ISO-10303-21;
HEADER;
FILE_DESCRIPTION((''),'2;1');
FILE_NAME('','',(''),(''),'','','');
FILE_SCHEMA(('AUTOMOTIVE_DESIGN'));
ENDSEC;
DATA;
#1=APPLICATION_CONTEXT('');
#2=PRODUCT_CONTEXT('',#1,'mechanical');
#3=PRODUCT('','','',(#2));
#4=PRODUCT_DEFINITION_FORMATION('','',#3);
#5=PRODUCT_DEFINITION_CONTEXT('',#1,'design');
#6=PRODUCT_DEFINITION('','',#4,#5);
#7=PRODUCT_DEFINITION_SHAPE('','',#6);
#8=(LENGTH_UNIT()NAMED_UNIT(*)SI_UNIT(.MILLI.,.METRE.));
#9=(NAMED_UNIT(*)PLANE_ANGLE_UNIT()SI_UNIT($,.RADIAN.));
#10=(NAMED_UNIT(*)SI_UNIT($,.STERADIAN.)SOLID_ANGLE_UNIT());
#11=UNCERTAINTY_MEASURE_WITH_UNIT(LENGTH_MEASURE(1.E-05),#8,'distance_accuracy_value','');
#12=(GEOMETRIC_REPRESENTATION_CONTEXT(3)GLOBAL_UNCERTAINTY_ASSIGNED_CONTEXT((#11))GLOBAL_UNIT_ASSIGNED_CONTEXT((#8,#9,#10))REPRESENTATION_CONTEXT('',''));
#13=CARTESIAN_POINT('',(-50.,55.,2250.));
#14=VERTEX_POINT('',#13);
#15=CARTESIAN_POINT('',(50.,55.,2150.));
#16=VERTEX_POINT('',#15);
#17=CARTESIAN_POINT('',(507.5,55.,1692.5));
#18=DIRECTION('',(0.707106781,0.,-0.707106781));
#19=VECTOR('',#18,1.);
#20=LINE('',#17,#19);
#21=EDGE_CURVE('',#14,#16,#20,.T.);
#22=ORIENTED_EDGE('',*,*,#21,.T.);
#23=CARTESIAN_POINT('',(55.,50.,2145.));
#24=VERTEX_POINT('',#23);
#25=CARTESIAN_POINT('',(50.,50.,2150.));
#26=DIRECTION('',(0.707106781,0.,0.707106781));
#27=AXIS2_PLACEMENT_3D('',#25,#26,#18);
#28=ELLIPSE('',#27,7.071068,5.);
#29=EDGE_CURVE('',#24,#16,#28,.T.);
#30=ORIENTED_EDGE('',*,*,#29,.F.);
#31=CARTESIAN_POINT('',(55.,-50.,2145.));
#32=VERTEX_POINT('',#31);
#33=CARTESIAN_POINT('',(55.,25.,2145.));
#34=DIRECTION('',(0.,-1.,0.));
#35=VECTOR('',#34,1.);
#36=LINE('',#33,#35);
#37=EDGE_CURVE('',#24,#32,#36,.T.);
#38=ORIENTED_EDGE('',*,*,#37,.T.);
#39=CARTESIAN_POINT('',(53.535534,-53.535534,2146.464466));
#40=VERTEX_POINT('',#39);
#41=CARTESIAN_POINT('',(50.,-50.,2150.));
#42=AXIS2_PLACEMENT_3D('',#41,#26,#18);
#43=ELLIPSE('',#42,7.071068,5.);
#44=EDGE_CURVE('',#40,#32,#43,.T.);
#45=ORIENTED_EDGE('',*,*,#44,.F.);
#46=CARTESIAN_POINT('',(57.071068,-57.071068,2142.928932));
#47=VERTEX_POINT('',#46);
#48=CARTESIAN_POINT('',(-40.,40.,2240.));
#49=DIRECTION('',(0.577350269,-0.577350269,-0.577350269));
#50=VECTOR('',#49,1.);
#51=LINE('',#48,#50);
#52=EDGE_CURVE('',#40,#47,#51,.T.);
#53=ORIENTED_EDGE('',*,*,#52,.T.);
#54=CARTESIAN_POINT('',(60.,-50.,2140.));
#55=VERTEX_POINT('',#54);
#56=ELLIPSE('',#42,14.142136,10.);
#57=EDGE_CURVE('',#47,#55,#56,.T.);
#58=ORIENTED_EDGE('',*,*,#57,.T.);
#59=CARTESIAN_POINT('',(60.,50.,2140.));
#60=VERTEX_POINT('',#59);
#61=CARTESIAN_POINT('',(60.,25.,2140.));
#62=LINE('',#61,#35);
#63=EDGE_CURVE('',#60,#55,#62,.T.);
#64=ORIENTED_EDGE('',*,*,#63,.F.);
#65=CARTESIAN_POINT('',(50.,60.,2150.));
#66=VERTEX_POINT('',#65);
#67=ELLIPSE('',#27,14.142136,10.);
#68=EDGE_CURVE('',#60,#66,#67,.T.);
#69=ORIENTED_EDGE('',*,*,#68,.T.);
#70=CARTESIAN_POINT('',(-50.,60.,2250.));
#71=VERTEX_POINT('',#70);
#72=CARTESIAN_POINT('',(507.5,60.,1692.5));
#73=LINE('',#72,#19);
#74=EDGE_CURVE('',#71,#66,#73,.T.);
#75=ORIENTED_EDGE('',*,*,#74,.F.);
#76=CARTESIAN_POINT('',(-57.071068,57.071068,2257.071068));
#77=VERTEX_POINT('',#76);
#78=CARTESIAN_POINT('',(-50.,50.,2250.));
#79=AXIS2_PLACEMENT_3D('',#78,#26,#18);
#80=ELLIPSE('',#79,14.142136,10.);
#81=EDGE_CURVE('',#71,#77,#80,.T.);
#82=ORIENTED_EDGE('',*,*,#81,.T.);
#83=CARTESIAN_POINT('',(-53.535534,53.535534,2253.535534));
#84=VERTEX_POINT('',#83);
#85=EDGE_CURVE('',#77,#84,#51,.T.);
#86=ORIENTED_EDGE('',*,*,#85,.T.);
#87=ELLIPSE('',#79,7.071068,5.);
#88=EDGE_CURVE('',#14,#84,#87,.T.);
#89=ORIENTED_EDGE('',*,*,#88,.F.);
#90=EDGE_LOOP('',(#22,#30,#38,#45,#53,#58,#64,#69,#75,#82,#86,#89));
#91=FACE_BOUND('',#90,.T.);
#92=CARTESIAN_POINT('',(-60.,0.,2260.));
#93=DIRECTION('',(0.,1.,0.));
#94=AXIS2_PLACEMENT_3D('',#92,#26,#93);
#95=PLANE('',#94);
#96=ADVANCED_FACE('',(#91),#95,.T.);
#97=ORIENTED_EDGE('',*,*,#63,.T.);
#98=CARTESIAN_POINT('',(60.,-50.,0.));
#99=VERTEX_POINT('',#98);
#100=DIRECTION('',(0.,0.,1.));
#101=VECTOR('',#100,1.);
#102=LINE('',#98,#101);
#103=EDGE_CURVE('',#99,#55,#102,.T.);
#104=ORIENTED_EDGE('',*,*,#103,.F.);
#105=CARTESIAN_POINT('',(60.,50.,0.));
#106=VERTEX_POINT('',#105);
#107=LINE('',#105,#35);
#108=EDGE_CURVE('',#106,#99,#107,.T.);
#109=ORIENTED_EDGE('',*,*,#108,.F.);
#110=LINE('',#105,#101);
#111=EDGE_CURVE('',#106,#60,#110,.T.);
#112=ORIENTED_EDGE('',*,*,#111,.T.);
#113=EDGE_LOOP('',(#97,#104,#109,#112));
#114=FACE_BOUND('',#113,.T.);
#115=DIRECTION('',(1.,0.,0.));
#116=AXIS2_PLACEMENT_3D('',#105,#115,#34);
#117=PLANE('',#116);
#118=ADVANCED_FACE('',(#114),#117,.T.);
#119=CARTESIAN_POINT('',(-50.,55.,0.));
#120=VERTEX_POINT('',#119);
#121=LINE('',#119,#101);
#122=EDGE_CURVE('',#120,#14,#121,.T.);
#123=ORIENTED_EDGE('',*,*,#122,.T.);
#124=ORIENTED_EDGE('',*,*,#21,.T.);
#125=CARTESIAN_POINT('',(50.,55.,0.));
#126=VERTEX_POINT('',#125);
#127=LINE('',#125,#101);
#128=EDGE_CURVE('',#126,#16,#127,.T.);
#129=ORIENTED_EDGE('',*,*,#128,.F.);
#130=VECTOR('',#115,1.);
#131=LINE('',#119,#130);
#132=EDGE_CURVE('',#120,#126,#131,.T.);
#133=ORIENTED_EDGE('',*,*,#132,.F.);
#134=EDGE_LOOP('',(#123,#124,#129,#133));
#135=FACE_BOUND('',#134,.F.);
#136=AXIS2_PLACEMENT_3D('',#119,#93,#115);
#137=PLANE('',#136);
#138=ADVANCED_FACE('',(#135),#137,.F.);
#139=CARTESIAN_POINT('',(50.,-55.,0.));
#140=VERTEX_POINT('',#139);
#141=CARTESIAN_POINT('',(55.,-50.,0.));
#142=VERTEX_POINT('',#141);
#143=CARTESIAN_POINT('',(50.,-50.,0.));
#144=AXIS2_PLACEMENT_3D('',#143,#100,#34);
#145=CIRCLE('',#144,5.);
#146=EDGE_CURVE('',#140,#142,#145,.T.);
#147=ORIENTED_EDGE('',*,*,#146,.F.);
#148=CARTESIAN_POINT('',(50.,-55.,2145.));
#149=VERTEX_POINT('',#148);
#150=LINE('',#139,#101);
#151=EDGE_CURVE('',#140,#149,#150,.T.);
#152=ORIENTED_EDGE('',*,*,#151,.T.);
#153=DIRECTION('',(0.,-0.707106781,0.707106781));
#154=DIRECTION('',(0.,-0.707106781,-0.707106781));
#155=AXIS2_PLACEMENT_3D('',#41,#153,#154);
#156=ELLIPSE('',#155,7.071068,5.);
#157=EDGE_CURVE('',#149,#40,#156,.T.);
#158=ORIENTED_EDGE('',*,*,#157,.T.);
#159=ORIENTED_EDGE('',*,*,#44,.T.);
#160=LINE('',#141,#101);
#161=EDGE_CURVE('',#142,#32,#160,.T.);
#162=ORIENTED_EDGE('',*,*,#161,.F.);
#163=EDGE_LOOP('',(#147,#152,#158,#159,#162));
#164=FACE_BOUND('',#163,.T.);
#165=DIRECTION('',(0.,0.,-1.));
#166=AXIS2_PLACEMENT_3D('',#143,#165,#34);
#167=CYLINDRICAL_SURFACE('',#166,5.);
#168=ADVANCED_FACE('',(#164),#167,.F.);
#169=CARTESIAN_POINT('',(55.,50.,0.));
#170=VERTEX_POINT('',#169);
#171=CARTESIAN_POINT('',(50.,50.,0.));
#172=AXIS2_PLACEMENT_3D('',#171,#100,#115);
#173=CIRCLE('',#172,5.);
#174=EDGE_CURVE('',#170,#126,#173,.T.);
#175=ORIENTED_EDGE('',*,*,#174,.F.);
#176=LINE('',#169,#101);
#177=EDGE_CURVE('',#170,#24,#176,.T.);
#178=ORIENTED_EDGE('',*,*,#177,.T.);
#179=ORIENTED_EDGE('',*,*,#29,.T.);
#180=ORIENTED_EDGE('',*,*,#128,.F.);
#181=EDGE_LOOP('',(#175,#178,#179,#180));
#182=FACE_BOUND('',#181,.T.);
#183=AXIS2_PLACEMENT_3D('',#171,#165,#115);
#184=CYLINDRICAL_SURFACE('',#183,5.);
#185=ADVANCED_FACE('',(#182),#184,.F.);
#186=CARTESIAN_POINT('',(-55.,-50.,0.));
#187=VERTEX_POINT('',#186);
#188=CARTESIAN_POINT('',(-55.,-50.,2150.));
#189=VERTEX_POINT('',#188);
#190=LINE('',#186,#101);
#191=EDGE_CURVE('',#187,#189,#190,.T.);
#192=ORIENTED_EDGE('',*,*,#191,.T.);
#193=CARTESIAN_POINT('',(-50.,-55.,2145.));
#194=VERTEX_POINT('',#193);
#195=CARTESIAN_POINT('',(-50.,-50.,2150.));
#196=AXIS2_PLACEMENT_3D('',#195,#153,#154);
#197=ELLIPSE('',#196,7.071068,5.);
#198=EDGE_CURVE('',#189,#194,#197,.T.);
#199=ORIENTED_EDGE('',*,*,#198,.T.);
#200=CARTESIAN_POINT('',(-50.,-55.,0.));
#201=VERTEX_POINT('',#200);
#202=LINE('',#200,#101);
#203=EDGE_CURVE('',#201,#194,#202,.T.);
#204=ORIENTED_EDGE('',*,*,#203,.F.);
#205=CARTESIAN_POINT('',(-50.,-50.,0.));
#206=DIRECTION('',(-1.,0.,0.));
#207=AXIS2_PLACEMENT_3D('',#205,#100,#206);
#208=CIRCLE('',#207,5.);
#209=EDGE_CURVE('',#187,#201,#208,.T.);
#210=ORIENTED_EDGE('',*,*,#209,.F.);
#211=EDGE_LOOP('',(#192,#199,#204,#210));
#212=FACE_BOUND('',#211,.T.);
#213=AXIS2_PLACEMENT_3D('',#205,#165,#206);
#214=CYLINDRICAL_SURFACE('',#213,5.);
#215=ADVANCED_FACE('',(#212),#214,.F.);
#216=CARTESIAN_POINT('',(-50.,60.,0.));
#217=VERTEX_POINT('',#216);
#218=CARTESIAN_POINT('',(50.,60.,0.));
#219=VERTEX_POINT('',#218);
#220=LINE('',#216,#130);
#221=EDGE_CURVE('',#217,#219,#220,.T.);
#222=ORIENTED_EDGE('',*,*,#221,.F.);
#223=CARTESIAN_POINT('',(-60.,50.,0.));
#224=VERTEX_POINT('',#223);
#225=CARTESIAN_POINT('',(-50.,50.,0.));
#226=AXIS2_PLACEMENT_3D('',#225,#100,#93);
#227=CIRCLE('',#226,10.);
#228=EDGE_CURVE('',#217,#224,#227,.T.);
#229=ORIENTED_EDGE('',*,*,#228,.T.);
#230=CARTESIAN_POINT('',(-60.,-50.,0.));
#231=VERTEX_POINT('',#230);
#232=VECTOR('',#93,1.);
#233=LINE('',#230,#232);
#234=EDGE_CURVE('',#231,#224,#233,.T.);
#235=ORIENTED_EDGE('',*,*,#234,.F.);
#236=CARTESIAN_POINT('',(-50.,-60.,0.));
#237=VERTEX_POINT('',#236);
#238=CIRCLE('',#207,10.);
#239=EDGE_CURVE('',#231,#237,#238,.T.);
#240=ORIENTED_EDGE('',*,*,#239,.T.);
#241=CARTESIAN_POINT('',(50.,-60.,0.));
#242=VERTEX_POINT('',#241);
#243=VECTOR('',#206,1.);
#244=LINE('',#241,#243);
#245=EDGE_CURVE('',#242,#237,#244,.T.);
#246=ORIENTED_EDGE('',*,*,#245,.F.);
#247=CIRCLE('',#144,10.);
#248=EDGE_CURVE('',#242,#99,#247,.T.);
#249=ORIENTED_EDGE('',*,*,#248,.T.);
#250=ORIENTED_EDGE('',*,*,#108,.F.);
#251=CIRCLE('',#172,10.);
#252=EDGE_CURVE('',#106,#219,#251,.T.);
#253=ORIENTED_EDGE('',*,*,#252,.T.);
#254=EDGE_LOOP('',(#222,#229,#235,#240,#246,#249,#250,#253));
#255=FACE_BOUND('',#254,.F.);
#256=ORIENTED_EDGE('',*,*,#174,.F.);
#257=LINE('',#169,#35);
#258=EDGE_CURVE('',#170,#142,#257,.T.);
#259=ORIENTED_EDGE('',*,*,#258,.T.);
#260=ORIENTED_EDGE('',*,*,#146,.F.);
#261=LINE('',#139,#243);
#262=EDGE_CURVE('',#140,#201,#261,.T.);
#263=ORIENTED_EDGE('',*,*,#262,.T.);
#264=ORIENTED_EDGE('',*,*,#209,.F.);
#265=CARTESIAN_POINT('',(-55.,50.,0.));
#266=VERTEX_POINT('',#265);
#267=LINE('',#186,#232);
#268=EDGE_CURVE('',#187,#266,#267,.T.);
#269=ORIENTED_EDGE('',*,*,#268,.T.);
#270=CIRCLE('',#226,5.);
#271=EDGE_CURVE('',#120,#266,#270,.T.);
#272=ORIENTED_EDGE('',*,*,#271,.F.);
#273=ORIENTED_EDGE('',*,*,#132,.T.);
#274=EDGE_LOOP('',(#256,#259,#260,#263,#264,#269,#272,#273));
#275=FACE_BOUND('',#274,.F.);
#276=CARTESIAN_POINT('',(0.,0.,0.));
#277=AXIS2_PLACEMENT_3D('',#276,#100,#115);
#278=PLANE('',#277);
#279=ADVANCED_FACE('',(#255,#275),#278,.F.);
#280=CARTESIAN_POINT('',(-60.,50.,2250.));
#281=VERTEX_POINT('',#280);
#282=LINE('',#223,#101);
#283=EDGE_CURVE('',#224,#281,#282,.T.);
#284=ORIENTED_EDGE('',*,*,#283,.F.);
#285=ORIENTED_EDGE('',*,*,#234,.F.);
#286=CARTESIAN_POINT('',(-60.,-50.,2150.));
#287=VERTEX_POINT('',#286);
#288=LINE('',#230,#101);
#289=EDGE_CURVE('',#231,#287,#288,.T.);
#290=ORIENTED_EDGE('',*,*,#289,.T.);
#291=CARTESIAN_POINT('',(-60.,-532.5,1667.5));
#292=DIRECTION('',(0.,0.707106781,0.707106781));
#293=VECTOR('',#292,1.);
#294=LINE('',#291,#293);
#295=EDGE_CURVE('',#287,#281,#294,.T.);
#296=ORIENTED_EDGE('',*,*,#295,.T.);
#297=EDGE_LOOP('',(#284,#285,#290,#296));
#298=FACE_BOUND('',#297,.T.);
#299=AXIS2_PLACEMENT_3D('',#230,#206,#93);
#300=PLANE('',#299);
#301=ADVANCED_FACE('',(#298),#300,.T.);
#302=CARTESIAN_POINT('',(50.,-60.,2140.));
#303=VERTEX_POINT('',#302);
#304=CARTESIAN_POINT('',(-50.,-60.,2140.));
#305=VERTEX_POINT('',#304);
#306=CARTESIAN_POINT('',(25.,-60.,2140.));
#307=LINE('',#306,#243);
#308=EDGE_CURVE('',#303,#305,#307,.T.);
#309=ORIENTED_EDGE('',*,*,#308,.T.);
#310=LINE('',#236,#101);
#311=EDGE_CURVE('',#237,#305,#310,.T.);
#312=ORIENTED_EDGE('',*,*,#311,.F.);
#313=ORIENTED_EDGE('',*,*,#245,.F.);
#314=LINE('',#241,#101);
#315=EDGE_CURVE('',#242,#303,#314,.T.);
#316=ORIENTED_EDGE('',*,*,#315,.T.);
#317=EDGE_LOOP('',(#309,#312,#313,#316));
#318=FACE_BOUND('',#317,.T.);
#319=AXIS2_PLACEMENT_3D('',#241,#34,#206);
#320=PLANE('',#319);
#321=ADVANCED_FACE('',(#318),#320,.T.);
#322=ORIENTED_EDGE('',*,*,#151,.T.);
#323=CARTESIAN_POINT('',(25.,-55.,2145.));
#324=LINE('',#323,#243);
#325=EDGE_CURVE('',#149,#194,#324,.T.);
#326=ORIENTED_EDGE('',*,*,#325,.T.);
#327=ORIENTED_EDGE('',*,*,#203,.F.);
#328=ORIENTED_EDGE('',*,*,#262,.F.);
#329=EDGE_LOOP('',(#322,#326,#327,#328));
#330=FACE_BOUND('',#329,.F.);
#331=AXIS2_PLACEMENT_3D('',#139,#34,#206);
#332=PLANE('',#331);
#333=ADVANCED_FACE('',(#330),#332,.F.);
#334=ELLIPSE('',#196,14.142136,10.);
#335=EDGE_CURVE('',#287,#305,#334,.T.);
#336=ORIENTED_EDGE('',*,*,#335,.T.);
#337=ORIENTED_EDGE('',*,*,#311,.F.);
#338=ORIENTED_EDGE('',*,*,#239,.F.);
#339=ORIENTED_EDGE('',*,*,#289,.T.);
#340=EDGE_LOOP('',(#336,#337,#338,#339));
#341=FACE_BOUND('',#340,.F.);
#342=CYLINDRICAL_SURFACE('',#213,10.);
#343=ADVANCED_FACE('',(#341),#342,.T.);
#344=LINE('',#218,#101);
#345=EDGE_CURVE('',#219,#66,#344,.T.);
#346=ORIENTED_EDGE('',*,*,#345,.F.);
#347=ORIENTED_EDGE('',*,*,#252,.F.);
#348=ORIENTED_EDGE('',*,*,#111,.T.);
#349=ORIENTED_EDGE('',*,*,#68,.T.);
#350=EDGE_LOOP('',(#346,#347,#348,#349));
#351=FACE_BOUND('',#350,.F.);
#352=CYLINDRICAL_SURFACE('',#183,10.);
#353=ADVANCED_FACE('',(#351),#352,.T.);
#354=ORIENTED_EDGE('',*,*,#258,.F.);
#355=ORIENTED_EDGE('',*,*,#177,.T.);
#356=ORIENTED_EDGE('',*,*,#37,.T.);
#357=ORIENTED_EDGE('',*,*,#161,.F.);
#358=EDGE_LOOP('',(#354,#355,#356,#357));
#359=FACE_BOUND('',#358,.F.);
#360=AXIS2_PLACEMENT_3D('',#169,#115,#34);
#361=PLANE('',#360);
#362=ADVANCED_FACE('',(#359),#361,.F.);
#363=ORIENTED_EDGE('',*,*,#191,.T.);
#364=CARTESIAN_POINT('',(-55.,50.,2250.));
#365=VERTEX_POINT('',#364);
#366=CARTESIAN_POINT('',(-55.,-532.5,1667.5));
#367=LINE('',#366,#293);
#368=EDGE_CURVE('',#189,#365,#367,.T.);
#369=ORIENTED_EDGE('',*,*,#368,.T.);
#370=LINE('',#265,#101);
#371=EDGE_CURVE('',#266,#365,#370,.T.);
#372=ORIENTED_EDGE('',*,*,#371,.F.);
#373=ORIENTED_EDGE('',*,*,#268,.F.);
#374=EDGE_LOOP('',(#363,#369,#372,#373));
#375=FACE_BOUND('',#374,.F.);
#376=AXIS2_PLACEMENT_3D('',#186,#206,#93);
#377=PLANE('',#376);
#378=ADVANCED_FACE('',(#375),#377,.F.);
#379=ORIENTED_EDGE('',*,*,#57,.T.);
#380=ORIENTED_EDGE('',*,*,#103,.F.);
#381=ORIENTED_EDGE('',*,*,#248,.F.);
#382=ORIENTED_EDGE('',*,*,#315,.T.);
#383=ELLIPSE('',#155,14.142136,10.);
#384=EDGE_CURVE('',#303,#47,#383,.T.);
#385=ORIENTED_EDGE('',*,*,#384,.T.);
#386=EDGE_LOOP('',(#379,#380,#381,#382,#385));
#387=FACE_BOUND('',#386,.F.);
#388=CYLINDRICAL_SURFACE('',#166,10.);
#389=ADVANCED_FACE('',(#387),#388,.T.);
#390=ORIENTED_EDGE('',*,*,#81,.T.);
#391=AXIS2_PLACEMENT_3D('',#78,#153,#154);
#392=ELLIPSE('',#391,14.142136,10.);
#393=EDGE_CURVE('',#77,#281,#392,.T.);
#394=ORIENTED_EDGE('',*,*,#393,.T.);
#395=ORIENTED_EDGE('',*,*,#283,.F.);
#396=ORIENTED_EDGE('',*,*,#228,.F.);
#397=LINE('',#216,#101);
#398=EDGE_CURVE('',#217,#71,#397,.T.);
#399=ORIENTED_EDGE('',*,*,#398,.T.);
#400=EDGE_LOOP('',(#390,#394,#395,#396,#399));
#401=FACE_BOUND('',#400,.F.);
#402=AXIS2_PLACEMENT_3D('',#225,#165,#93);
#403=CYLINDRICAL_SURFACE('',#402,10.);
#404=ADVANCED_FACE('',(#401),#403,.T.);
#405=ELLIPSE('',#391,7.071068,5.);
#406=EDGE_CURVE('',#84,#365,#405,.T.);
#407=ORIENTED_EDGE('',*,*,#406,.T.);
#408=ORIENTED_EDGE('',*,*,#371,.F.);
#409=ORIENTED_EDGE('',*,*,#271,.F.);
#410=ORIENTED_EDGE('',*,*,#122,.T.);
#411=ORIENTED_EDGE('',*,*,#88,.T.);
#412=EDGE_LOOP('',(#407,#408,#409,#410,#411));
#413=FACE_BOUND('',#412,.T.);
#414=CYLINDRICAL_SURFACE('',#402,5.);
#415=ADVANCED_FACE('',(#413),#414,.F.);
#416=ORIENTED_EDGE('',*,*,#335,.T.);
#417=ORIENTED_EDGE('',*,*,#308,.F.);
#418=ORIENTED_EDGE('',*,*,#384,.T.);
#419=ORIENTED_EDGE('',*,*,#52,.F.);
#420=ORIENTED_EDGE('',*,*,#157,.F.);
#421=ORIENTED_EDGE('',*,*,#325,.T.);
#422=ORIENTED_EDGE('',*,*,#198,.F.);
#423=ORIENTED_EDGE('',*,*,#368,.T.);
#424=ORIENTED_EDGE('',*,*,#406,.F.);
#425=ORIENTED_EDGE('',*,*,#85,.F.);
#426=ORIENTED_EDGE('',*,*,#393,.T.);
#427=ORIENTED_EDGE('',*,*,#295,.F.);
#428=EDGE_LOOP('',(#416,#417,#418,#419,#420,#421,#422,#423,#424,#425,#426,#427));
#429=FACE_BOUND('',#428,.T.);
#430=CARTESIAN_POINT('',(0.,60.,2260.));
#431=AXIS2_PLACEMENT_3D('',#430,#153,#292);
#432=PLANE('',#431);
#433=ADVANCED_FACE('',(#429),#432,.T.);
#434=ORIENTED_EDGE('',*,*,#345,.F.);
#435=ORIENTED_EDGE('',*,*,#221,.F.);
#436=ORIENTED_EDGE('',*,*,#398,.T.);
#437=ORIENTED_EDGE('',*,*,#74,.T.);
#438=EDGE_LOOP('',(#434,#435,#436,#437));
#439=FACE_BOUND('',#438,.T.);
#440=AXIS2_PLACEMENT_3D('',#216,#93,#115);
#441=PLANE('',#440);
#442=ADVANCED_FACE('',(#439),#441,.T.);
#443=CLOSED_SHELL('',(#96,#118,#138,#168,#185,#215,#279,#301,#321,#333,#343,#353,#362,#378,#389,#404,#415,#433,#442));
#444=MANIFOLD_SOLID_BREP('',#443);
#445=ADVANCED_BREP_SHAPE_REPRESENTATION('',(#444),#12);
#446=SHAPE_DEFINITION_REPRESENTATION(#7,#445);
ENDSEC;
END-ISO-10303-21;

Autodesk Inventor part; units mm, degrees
ref_plane "Start Plane" through (0, 0, 0) normal (0, 0, 1) x (1, 0, 0)
ref_plane "End Plane" through (0, 0, 2257.0711) normal (0, 0, 1) x (1, 0, 0)
sketch "Sketch" plane through (0, 0, 0) normal (0, 0, 1) x (1, 0, 0)
  line L0 (-60, -50) -> (-60, 50)
  line L1 (-50, 60) -> (50, 60)
  line L2 (60, 50) -> (60, -50)
  line L3 (50, -60) -> (-50, -60)
  arc A0 (-60, -50) -> (-50, -60) centre (-50, -50) ccw
  arc A1 (60, 50) -> (50, 60) centre (50, 50) ccw
  arc A2 (-50, 60) -> (-60, 50) centre (-50, 50) ccw
  arc A3 (50, -60) -> (60, -50) centre (50, -50) ccw
  arc A4 (-50, 55) -> (-55, 50) centre (-50, 50) ccw
  line L4 (-50, 55) -> (50, 55)
  arc A5 (55, 50) -> (50, 55) centre (50, 50) ccw
  line L5 (55, 50) -> (55, -50)
  arc A6 (50, -55) -> (55, -50) centre (50, -50) ccw
  line L6 (50, -55) -> (-50, -55)
  arc A7 (-55, -50) -> (-50, -55) centre (-50, -50) ccw
  line L7 (-55, -50) -> (-55, 50)
  line L8 (0, 86.8995) -> (0, -86.8995) construction
  line L9 (-86.8995, 0) -> (86.8995, 0) construction
  dimension "d7" = 10
  dimension "d9" = 120
  dimension "d11" = 120
  dimension "d12" = 5
  dimension "d15" = 60
  dimension "d16" = 60
extrude "Body" add sketch "Sketch" along normal up to surface (2257.0711 mm away) from surface at 0
sketch "Sketch3" plane through (0, 0, 0) normal (0, 0, 1) x (1, 0, 0)
  line L0 (0, 0) -> (10, 0)
ref_plane "Work Plane3" through (0, 0, 0) normal (0, -1, 0) x (1, 0, 0)
ref_plane "Work Plane4" through (-60, 0, 2260) normal (0.7071, 0, 0.7071) x (0.7071, 0, -0.7071)
split "Split1" plane through (-60, 0, 2260) removes the side toward (0.7071, 0, 0.7071)
ref_plane "Work Plane5" through (0, 60, 2260) normal (0, -0.7071, 0.7071) x (1, 0, 0)
split "Split2" plane through (0, 60, 2260) removes the side toward (0, -0.7071, 0.7071)
sketch "Sketch4" plane through (0, 0, 0) normal (0, -1, 0) x (1, 0, 0)
  line L0 (-2, 0) -> (12, 0) projected
  line L1 (-2, 2257.0711) -> (12, 2257.0711) projected
  dimension "d18" = 2257.0711
equation "\"d7\" = G_IR"
equation "\"d9\" = G_W"
equation "\"d11\" = G_H"
equation "\"d12\" = G_T"
equation "\"d15\" = 0.5 * d9"
equation "\"d16\" = 0.5 * d11"
equation "\"d3\" = G_L"
equation "\"G_W\" = 120"
equation "\"G_H\" = 120"
equation "\"G_T\" = 5"
equation "\"G_IR\" = 10"
equation "\"G_L\" = d18"
equation "\"G_OFFSET_START\" = 0"
equation "\"G_OFFSET_END\" = 57.07107"
equation "\"d14\" = G_OFFSET_END + B_L"
equation "\"B_L\" = 2200"
properties part number "ISO 10799-2 - 120x120x5 - 2257,07" material "Steel, Mild"
